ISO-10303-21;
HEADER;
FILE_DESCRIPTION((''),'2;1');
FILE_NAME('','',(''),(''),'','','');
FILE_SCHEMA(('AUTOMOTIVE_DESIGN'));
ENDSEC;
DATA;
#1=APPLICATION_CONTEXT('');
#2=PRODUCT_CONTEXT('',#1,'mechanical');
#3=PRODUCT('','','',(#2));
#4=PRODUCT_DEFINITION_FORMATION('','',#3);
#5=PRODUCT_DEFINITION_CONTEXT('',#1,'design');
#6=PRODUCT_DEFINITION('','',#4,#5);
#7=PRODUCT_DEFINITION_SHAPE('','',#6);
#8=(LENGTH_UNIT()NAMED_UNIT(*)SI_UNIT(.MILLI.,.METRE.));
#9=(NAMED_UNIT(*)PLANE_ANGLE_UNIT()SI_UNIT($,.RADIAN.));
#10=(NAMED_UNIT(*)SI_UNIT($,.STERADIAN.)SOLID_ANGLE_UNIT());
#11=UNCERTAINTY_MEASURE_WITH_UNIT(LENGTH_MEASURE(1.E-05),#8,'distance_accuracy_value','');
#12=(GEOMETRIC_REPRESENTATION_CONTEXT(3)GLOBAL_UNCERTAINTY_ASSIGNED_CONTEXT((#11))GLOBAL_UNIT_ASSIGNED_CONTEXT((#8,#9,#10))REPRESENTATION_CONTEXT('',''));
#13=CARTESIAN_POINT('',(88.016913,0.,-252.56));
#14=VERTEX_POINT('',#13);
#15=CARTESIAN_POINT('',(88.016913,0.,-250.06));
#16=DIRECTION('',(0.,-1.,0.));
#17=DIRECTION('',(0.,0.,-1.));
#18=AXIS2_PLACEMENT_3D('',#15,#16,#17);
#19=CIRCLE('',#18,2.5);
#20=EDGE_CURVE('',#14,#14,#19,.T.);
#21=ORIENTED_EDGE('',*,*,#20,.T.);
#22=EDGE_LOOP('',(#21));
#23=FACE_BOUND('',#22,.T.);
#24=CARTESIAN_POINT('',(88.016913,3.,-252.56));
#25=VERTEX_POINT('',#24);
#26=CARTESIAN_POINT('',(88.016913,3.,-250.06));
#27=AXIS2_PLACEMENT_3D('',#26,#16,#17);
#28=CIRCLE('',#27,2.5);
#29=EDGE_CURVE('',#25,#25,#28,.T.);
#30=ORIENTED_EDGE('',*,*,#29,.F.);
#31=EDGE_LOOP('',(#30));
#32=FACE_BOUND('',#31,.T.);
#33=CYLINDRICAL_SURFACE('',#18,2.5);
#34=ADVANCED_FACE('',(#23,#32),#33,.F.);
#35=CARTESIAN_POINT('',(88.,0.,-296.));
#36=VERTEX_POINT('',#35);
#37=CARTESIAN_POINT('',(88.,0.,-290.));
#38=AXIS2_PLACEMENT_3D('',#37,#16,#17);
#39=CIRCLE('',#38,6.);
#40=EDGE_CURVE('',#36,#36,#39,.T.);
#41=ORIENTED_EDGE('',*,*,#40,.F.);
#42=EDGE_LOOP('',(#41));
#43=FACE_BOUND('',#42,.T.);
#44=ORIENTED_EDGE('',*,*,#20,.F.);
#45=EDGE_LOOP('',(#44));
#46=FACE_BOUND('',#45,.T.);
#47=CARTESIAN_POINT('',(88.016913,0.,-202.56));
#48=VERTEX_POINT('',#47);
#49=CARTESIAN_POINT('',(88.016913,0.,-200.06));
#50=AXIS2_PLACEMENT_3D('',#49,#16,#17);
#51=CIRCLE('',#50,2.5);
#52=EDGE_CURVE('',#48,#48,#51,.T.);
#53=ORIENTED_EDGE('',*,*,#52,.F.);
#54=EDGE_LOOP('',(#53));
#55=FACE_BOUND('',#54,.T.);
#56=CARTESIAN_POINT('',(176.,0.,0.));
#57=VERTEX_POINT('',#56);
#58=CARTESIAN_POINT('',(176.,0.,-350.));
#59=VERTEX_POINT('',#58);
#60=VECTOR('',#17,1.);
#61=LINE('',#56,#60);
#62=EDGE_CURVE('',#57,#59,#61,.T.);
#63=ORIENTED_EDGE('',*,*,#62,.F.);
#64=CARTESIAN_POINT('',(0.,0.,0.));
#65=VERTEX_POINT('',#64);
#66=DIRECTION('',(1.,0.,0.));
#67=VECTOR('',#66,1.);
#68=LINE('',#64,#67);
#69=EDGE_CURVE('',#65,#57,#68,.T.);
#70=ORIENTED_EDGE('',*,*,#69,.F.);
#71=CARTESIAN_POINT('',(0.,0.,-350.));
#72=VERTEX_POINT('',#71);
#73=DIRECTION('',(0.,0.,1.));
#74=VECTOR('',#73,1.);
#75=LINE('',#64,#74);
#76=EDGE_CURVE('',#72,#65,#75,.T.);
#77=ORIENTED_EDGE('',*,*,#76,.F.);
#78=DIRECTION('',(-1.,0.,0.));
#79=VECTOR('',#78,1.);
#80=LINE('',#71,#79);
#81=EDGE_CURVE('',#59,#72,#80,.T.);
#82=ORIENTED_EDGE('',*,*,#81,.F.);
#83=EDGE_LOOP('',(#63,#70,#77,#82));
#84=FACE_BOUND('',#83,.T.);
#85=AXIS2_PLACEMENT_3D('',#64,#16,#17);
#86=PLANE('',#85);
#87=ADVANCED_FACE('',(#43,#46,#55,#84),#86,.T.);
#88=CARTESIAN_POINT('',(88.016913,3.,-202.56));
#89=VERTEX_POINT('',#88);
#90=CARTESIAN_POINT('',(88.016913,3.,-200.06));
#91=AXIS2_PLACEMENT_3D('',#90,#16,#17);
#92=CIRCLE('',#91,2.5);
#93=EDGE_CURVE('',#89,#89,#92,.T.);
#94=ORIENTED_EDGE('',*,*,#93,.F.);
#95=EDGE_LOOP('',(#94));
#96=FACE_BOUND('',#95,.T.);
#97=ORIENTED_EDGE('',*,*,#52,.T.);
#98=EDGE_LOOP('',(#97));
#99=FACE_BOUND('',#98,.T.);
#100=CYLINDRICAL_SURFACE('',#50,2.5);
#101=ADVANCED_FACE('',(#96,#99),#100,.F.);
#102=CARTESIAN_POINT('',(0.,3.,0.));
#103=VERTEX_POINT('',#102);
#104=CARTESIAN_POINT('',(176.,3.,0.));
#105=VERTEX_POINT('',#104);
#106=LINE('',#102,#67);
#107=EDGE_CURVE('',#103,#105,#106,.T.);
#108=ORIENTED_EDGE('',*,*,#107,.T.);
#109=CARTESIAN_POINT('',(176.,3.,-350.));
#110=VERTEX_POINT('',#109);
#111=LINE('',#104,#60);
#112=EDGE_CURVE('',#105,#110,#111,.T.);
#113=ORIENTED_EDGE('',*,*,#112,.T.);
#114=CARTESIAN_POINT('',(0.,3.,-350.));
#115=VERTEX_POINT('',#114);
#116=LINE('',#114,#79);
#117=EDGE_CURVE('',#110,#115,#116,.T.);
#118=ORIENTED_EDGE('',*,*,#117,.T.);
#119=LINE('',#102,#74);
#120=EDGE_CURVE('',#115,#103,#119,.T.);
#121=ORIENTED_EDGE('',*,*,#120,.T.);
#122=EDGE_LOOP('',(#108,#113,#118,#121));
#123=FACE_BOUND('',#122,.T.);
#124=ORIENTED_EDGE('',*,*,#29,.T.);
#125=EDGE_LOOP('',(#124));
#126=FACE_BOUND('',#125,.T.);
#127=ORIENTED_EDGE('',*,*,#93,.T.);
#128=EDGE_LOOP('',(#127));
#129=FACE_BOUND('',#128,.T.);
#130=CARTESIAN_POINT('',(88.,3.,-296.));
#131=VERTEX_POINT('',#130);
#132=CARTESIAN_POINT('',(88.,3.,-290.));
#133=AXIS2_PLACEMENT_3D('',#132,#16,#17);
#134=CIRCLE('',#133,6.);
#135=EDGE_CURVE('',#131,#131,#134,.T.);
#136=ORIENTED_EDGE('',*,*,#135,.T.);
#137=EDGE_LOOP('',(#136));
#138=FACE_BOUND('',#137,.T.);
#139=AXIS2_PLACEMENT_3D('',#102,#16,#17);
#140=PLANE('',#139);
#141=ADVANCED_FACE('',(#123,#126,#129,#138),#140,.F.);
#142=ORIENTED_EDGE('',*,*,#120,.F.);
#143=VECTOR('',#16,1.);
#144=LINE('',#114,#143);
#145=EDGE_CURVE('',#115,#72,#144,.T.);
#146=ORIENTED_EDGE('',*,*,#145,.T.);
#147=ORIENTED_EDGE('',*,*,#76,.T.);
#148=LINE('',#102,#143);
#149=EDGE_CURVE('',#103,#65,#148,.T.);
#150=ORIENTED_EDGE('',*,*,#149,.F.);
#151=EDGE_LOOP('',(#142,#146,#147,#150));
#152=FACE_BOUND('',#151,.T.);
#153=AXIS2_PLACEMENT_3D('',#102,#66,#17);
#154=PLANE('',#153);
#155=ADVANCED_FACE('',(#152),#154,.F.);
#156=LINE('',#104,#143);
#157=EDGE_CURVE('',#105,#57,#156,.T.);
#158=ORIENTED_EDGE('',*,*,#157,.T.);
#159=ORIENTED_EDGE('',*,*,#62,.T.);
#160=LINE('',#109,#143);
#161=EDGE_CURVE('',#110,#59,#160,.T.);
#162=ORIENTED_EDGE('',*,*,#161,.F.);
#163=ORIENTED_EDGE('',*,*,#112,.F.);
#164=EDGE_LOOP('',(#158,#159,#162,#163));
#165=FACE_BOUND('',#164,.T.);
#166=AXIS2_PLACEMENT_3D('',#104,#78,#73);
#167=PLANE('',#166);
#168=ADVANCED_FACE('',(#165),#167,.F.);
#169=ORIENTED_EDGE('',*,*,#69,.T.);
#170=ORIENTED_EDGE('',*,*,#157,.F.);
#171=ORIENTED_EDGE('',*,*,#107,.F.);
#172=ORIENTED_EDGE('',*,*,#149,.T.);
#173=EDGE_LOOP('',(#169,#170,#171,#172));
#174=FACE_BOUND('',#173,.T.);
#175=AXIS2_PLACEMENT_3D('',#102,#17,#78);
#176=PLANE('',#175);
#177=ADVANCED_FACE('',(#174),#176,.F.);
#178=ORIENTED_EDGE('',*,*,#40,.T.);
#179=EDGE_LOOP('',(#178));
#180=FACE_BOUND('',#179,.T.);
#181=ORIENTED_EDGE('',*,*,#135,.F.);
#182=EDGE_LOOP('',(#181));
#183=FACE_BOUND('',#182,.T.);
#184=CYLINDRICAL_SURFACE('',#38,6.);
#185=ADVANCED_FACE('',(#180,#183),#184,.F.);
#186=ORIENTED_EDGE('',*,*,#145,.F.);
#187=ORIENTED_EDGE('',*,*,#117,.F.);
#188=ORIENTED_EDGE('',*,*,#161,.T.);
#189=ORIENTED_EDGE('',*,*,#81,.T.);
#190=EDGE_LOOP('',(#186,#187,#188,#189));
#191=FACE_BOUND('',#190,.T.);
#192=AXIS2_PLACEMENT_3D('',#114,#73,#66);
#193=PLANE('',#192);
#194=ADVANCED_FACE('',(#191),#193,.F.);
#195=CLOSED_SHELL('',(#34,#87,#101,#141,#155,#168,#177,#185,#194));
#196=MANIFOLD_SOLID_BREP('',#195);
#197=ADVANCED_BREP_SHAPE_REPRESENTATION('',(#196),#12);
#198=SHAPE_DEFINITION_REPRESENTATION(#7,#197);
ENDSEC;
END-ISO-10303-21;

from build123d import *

# Parameters (mm, degrees)
SKETCH1_W              = 176
SKETCH1_H              = 350
BOSS_EXTRUDE1_DEPTH    = 3
F_5_0MM_DOWEL_HOLE1_D  = 5
F_12_0MM_DOWEL_HOLE1_D = 12


with BuildPart() as part:
    # Sketch1 → Boss-Extrude1 (new body)
    with BuildSketch(Plane(origin=(0, 0, 0), x_dir=(1, 0, 0), z_dir=(0, 1, 0))):
        with Locations((88, 175)):
            Rectangle(SKETCH1_W, SKETCH1_H)
    extrude(amount=BOSS_EXTRUDE1_DEPTH)

    # Ø5.0mm Dowel Hole1 (through all)
    with Locations(Plane(origin=(0, 0, 0), x_dir=(-1, 0, 0), z_dir=(0, -1, 0))):
        with Locations((-88.016913139, 250.06), (-88.016913139, 200.06)):
            Hole(F_5_0MM_DOWEL_HOLE1_D / 2)

    # Ø12.0mm Dowel Hole1 (through all)
    with Locations(Plane(origin=(0, 0, 0), x_dir=(-1, 0, 0), z_dir=(0, -1, 0))):
        with Locations((-88, 290)):
            Hole(F_12_0MM_DOWEL_HOLE1_D / 2)


solid = part.part
